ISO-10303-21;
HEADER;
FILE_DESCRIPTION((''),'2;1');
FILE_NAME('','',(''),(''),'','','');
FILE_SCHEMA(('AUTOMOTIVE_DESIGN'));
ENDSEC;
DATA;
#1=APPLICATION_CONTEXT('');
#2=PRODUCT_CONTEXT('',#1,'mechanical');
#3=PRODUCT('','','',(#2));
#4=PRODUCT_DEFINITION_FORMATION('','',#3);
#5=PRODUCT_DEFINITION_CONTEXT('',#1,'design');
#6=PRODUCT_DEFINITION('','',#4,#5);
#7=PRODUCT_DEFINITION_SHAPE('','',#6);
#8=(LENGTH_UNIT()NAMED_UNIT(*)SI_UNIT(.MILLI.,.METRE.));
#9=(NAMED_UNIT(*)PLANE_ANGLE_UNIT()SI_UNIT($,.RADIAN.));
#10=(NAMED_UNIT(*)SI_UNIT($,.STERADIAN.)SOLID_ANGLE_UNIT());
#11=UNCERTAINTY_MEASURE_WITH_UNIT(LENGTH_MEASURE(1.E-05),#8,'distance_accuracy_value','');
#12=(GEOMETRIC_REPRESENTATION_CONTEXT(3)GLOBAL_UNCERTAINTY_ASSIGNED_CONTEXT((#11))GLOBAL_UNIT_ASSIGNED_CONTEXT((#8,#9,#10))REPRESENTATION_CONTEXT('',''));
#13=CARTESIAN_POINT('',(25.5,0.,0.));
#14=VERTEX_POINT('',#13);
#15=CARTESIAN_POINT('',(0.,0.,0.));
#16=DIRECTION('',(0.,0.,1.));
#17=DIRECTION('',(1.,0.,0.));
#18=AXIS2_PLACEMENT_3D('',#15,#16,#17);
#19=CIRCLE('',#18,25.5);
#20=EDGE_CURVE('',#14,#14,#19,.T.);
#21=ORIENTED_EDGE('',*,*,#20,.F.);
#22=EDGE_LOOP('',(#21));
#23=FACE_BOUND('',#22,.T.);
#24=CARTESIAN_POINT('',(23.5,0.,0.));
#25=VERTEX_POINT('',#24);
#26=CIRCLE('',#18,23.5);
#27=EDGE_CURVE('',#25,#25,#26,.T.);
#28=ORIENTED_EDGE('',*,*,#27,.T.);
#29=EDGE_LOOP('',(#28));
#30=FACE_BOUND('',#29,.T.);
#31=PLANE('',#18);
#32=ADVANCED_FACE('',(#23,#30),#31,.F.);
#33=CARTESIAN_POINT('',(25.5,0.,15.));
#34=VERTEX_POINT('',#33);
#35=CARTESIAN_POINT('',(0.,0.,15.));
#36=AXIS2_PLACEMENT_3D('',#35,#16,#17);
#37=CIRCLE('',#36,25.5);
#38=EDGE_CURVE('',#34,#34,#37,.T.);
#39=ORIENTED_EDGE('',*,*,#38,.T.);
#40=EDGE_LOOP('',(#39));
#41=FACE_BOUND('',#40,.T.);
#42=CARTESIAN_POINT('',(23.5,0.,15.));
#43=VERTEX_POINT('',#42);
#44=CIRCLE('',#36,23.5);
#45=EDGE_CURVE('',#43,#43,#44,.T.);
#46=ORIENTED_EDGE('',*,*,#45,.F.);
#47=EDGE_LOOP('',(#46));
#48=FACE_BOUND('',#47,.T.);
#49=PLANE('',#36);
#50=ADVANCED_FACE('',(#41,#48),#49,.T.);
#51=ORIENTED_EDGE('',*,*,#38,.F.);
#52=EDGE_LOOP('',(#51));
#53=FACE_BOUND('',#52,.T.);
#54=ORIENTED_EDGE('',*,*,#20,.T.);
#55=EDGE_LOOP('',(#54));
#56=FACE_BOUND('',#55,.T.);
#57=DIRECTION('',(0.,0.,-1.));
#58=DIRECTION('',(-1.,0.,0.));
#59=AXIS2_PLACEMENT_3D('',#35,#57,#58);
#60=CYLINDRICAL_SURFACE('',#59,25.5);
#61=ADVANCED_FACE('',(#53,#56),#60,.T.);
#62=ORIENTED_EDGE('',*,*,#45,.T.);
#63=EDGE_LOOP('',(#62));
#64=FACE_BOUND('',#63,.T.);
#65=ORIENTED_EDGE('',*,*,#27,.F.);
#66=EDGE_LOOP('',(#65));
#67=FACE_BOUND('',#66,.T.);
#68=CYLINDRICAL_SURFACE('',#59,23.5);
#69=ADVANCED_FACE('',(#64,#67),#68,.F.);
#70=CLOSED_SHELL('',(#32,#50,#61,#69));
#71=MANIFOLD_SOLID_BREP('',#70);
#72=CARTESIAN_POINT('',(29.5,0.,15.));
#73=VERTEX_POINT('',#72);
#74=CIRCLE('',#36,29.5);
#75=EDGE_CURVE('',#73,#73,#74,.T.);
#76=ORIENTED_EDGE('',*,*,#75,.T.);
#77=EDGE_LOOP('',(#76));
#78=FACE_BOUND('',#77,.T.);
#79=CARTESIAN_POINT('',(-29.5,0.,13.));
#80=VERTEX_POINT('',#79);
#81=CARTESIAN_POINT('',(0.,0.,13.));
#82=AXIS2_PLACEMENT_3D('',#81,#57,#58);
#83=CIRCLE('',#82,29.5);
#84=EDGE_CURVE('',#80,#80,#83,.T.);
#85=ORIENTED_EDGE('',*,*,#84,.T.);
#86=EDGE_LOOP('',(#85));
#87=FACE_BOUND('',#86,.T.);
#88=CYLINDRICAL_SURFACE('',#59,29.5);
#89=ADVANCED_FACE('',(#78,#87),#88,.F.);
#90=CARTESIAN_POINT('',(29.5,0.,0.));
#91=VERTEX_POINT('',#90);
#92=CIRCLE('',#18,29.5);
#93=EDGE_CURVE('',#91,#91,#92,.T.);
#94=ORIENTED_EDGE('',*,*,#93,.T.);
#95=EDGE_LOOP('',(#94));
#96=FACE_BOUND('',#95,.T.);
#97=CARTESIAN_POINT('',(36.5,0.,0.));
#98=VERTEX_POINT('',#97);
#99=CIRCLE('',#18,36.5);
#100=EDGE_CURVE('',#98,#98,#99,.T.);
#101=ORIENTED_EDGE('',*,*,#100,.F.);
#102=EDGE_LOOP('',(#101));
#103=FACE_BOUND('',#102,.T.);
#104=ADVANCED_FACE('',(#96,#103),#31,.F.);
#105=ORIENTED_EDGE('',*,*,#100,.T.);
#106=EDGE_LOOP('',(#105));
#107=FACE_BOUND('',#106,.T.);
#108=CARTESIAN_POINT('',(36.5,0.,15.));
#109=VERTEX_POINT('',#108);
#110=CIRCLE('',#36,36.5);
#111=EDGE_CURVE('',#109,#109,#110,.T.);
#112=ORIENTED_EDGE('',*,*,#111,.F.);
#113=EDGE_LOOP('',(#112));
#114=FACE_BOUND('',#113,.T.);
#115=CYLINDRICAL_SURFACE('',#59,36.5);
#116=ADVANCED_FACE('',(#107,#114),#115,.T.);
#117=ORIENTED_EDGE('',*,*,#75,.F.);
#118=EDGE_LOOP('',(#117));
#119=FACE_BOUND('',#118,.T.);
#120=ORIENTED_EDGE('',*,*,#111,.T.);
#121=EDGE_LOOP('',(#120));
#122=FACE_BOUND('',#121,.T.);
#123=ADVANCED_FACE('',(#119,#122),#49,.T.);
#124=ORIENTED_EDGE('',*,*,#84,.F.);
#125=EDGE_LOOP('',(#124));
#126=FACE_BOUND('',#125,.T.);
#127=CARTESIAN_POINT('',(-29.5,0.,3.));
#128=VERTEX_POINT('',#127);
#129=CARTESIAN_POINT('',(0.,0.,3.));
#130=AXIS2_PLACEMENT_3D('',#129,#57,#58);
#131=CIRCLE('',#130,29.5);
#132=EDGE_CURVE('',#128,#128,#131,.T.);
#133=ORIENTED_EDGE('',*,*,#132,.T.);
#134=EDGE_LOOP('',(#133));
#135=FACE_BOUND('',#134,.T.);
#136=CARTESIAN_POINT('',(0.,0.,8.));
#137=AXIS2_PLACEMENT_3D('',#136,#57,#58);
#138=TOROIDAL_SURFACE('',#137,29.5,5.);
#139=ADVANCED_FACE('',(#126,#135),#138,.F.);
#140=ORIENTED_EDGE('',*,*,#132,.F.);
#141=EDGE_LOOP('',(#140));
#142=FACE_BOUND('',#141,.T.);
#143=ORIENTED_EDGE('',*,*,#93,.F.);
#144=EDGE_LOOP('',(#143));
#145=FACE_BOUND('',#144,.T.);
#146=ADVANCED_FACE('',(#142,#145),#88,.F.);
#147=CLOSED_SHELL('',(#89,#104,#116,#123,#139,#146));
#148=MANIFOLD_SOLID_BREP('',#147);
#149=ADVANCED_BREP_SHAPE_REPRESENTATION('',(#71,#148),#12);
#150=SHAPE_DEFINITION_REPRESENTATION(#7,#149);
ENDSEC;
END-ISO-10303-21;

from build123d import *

# Parameters (mm, degrees)
SKETCH_1_R      = 25.5
SKETCH_1_R_2    = 23.5
EXTRUDE_2_DEPTH = 15
SKETCH_3_R      = 36.5
SKETCH_3_R_2    = 29.5
EXTRUDE_3_DEPTH = 15


with BuildPart() as part:
    # 草图1 → 凸台-拉伸2 (new body)
    with BuildSketch(Plane.XY):
        Circle(SKETCH_1_R)
        Circle(SKETCH_1_R_2, mode=Mode.SUBTRACT)
    extrude(amount=EXTRUDE_2_DEPTH)


with BuildPart() as body_2:
    # 草图3 → 凸台-拉伸3 (new body)
    with BuildSketch(Plane.XY):
        Circle(SKETCH_3_R)
        Circle(SKETCH_3_R_2, mode=Mode.SUBTRACT)
    extrude(amount=EXTRUDE_3_DEPTH)

    # 草图5 → 切除-旋转2 (revolve, cut)
    with BuildSketch(Plane(origin=(0, 0, 0), x_dir=(1, 0, 0), z_dir=(0, 1, 0))):
        with BuildLine():
            Line((-29.5, -3), (-29.5, -13))
            ThreePointArc((-29.5, -13), (-34.5, -8), (-29.5, -3))
        make_face()
    revolve(axis=Axis((0, 0, 0), (0, 0, 1)), mode=Mode.SUBTRACT)


solid = Compound([part.part, body_2.part])
